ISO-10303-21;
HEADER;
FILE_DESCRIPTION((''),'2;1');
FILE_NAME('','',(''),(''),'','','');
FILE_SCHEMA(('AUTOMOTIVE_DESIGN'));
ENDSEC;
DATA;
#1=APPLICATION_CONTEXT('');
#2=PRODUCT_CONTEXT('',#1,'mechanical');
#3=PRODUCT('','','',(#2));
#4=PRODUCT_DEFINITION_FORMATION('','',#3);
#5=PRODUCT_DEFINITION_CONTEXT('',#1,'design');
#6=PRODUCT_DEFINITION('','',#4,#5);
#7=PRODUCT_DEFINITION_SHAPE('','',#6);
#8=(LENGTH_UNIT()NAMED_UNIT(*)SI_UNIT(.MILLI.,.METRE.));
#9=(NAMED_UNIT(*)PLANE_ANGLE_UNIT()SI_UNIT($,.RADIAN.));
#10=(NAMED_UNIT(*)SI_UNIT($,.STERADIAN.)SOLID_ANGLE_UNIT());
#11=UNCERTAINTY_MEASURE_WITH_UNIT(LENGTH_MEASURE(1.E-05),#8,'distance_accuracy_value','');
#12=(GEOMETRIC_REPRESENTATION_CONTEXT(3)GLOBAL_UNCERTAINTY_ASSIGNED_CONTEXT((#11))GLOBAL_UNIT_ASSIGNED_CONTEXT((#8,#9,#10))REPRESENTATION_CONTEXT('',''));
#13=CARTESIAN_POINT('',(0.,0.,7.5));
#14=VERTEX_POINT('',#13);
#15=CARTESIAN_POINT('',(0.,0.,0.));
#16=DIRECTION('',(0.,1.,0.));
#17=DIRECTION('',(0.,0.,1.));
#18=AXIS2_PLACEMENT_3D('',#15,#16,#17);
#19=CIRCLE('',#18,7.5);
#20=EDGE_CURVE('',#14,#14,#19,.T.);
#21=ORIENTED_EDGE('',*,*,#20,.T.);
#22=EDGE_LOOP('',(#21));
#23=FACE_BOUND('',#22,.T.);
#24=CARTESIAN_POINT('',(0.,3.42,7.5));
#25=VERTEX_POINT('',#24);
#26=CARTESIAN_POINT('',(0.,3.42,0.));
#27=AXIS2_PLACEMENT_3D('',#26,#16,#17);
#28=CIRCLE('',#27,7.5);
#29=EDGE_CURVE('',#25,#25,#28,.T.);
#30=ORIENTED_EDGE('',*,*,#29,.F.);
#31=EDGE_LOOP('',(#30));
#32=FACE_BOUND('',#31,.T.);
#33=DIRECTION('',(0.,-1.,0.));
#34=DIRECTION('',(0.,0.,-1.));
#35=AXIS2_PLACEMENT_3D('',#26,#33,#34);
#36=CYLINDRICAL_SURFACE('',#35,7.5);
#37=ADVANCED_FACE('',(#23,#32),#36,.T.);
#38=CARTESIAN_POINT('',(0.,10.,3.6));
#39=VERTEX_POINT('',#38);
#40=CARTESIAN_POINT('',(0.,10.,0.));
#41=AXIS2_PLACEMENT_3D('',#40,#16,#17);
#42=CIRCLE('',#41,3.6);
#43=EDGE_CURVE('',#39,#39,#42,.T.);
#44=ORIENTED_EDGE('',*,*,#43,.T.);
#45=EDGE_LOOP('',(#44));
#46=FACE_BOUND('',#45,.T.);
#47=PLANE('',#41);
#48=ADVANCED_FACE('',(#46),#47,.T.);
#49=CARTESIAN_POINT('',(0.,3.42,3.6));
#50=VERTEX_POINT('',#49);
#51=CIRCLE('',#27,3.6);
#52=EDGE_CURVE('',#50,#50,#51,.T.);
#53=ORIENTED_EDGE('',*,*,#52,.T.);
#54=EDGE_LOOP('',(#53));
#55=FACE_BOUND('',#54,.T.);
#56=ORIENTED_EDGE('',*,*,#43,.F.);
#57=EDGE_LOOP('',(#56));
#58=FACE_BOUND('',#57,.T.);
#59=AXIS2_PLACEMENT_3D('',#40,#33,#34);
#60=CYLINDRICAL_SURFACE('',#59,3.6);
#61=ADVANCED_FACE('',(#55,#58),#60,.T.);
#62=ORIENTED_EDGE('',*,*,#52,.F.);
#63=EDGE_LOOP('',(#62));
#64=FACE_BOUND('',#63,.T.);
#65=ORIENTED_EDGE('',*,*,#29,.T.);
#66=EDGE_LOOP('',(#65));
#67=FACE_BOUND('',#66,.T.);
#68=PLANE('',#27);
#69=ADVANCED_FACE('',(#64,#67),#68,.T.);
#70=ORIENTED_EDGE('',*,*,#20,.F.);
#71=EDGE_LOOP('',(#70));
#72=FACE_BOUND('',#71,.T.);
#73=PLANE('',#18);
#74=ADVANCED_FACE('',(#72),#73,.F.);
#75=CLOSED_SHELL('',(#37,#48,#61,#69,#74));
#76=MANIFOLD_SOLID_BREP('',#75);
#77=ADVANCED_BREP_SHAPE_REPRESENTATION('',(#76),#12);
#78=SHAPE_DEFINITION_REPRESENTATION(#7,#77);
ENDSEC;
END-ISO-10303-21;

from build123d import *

# Parameters (mm, degrees)
SKETCH1_R           = 7.5
SKETCH1_R_2         = 3.6
BOSS_EXTRUDE1_DEPTH = 3.42
SKETCH1_2_R         = 3.6
BOSS_EXTRUDE2_DEPTH = 10


with BuildPart() as part:
    # Sketch1 → Boss-Extrude1 (new body)
    with BuildSketch(Plane(origin=(0, 0, 0), x_dir=(1, 0, 0), z_dir=(0, 1, 0))):
        Circle(SKETCH1_R)
        Circle(SKETCH1_R_2, mode=Mode.SUBTRACT)
    extrude(amount=BOSS_EXTRUDE1_DEPTH)

    # Sketch1<2> → Boss-Extrude2 (add)
    with BuildSketch(Plane(origin=(0, 0, 0), x_dir=(1, 0, 0), z_dir=(0, 1, 0))):
        Circle(SKETCH1_2_R)
    extrude(amount=BOSS_EXTRUDE2_DEPTH)


solid = part.part
